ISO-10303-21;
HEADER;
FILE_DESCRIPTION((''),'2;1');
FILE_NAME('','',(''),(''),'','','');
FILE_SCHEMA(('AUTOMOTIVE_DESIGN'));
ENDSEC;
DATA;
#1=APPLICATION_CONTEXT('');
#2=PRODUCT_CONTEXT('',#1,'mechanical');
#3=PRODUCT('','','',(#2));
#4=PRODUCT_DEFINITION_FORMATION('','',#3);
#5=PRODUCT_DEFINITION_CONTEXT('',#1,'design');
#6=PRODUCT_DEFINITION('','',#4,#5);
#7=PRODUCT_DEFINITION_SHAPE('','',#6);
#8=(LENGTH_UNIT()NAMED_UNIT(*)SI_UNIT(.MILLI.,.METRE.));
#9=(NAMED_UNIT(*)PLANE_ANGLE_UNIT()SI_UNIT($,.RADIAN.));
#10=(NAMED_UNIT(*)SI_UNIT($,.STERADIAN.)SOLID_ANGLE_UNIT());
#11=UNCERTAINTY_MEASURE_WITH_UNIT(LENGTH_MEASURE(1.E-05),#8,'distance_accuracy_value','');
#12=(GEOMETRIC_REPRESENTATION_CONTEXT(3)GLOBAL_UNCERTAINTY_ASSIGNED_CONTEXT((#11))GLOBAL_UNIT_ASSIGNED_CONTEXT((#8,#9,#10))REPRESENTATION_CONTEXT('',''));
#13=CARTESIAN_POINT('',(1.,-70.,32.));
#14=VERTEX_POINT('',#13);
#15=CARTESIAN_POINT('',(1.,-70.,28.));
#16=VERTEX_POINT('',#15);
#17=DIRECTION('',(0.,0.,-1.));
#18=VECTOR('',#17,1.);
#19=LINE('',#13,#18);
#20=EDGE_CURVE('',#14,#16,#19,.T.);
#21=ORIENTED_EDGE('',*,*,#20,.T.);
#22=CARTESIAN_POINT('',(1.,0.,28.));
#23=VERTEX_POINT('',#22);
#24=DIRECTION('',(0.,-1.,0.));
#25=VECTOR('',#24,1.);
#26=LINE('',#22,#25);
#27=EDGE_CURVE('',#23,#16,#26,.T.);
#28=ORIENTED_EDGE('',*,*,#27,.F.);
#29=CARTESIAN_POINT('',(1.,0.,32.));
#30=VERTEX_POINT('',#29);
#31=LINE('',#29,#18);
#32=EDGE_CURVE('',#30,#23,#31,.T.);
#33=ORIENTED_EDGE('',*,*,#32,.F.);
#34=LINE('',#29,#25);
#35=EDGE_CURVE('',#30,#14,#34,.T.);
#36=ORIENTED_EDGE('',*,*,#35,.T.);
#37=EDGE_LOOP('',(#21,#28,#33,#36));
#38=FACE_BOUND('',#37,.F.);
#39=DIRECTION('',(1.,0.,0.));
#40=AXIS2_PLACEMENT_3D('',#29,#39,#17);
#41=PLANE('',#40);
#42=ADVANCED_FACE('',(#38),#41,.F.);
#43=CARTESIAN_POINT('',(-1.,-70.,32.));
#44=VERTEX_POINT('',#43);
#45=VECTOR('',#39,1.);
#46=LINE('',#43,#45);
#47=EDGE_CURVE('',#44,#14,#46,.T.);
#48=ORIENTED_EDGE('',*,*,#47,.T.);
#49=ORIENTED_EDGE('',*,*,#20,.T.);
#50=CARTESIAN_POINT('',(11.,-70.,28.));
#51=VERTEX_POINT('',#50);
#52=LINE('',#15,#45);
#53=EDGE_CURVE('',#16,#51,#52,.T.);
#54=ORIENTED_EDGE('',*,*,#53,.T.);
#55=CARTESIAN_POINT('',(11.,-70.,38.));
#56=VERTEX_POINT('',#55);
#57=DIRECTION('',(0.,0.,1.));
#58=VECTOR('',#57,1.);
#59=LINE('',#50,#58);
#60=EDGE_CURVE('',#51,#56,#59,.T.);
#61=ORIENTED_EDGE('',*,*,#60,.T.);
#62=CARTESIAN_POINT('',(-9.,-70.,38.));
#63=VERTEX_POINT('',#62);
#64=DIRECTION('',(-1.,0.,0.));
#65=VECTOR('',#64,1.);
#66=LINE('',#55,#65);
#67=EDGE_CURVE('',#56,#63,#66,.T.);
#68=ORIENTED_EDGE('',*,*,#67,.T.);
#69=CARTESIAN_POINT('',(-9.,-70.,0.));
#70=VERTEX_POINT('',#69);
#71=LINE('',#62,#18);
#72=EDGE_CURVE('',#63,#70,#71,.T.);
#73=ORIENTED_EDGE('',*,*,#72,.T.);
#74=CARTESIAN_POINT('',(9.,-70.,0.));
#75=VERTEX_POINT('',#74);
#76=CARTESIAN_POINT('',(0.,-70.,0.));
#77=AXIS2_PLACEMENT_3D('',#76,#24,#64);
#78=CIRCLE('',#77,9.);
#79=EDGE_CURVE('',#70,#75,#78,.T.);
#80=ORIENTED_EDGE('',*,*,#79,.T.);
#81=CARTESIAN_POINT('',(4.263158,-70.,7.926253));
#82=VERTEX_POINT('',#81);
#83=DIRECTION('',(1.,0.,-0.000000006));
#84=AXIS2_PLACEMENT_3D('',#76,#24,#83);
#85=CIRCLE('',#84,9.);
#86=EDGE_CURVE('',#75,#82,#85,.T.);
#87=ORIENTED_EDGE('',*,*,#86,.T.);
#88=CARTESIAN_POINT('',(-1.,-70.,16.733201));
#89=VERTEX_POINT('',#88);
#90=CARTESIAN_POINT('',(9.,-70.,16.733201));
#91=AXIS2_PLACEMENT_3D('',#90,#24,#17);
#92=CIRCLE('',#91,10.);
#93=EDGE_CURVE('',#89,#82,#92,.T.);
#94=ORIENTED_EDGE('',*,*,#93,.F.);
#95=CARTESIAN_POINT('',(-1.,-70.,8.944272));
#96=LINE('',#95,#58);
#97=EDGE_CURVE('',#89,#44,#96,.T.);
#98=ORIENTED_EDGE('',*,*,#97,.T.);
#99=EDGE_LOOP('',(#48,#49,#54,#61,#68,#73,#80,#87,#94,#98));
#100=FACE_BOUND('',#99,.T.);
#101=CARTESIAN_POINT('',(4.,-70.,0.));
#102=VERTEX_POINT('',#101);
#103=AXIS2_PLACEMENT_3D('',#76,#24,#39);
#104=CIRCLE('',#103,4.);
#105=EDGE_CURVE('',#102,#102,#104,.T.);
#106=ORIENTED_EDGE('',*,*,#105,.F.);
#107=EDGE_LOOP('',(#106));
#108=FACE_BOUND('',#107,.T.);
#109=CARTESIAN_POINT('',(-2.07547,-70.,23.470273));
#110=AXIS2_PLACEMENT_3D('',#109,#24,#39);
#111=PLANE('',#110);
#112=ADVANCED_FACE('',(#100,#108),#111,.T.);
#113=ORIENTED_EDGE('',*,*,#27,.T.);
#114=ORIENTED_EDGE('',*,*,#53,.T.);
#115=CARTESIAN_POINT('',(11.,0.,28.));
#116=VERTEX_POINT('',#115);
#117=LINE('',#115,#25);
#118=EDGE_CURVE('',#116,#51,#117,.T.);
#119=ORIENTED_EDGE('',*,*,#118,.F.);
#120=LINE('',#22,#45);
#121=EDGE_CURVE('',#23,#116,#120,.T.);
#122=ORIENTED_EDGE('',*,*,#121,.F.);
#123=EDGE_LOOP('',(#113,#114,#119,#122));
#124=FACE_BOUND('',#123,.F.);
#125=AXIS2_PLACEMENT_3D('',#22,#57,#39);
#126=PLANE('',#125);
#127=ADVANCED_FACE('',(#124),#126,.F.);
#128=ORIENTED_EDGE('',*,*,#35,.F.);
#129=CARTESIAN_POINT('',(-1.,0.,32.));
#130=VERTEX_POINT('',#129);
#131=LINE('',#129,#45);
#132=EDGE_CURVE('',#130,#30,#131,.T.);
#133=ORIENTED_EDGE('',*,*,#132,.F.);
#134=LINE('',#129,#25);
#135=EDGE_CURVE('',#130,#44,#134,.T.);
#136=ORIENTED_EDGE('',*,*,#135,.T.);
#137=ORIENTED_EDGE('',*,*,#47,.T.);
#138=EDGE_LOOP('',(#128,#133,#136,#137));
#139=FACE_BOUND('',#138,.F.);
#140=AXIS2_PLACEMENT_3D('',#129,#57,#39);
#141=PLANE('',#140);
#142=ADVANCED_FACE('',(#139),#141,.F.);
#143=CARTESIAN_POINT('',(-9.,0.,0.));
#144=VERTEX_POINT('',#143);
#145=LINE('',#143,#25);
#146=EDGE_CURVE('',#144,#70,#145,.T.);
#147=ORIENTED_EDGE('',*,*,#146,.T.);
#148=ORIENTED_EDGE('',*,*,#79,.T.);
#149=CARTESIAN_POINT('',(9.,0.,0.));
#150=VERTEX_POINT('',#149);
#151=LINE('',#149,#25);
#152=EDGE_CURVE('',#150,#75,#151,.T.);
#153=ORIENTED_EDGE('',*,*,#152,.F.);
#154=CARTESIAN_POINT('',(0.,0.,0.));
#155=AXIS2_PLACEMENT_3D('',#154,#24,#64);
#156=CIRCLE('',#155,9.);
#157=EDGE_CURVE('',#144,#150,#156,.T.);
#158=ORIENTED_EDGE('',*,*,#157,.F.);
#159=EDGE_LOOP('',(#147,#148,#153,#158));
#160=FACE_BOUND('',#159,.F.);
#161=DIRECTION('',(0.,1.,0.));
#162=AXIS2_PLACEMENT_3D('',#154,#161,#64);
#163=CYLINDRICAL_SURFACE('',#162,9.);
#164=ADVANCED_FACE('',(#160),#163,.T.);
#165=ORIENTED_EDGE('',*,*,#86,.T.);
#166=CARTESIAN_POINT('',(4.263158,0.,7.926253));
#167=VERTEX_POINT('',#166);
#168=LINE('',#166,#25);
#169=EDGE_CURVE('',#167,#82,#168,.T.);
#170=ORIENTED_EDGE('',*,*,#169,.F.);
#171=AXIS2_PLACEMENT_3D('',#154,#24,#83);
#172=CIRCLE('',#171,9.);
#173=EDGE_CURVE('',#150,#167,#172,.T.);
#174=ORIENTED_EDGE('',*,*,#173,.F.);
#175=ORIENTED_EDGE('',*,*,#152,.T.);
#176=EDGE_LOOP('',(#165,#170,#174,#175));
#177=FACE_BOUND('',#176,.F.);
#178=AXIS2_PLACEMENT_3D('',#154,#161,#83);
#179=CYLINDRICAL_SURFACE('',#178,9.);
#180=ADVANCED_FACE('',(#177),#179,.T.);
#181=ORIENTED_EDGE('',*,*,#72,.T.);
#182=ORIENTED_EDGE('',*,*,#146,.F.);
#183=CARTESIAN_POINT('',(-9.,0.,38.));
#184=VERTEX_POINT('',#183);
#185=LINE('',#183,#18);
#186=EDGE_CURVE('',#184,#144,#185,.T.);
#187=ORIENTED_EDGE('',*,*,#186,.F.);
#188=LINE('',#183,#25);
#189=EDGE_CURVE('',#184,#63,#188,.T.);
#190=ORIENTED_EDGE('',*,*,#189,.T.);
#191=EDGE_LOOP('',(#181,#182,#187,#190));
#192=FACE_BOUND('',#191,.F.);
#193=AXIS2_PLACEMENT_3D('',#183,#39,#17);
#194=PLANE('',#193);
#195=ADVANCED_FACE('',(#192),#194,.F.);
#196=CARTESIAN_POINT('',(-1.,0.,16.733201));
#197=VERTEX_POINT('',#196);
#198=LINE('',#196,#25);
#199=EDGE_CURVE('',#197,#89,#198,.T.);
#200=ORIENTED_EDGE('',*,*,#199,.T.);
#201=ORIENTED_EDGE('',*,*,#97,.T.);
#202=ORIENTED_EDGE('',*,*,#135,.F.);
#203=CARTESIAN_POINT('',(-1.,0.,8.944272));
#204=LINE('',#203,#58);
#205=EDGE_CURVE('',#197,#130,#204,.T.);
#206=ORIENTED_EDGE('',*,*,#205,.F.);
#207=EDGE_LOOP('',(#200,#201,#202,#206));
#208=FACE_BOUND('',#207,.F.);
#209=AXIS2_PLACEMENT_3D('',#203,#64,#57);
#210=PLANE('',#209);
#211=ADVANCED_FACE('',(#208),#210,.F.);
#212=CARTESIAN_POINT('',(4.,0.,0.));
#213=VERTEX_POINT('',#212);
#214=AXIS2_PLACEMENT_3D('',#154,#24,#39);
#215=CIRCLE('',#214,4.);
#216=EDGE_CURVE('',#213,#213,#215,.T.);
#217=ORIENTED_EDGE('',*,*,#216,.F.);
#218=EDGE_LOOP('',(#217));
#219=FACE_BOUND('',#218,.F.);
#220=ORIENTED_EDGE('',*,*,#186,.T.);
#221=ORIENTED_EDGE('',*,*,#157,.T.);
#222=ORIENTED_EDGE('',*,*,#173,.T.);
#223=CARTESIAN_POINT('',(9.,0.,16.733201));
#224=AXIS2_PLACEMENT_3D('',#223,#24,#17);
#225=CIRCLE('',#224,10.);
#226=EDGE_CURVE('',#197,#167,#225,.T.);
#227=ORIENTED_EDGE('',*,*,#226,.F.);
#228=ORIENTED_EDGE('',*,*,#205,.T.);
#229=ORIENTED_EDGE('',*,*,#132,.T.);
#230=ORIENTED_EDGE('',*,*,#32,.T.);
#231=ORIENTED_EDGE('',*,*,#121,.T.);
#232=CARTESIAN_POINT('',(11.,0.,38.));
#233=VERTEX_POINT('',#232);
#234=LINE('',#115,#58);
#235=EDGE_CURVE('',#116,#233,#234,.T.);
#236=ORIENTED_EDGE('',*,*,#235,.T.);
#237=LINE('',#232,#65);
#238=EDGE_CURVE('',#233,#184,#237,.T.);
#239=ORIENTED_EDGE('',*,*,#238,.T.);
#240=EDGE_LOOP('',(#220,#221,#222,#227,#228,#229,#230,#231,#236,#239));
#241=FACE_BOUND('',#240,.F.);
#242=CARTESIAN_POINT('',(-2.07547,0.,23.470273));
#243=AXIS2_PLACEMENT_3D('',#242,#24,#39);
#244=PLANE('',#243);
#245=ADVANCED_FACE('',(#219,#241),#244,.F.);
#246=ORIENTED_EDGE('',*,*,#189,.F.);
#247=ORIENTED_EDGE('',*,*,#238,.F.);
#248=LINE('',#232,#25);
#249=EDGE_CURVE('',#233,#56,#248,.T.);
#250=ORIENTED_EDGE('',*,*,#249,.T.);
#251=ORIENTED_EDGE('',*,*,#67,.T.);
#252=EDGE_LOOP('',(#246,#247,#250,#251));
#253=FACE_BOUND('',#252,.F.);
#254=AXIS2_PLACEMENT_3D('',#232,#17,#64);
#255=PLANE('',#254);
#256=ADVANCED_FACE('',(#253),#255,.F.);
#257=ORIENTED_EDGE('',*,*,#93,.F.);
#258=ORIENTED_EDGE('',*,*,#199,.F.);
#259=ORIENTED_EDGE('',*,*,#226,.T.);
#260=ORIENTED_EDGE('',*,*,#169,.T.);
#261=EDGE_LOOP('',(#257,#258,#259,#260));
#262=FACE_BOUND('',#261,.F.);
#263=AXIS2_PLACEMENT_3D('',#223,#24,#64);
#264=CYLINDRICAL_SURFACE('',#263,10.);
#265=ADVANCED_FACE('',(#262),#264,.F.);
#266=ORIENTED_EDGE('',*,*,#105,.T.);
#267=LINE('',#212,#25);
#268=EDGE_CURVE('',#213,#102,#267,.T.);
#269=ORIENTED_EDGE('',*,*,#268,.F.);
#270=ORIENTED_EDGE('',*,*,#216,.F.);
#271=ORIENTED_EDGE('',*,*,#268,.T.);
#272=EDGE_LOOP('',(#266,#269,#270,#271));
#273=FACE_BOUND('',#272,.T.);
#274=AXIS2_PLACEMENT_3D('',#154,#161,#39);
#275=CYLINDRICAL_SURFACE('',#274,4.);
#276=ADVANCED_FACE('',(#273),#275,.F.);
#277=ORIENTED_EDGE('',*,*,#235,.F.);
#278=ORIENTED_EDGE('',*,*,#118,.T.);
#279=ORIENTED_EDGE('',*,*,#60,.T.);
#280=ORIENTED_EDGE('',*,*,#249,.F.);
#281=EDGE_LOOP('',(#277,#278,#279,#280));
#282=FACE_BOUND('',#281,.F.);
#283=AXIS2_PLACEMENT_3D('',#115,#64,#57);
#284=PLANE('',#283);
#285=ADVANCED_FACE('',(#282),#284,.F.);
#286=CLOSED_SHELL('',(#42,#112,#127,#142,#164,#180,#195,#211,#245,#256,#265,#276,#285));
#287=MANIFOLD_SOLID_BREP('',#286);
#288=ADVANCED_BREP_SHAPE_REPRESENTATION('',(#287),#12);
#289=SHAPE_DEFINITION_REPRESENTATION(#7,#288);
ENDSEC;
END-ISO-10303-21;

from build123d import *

# Parameters (mm, degrees)
F0_R     = 4
F1_DEPTH = 70
F2_R     = 10


with BuildPart() as f1:
    # F0 (on Front) → F1 (new body)
    with BuildSketch(Plane.XZ):
        with BuildLine():
            ThreePointArc((-9, 0), (-6.708204, 6), (-1, 8.944272))
            Line((-1, 8.944272), (-1, 32))
            Line((-1, 32), (1, 32))
            Line((1, 32), (1, 28))
            Line((1, 28), (11, 28))
            Line((11, 28), (11, 38))
            Line((11, 38), (-9, 38))
            Line((-9, 38), (-9, 0))
        make_face()
        with BuildLine():
            ThreePointArc((-9, 0), (0, -9), (9, 0))
            ThreePointArc((9, 0), (6, 6.708204), (-1, 8.944272))
            ThreePointArc((-1, 8.944272), (-6.708204, 6), (-9, 0))
        make_face()
        Circle(F0_R, mode=Mode.SUBTRACT)
    extrude(amount=F1_DEPTH)

    # F2
    f2_edges = [f1.edges().sort_by_distance(p)[0] for p in [
        (-1, -35, 8.944272),
    ]]
    fillet(f2_edges, radius=F2_R)


solid = f1.part
